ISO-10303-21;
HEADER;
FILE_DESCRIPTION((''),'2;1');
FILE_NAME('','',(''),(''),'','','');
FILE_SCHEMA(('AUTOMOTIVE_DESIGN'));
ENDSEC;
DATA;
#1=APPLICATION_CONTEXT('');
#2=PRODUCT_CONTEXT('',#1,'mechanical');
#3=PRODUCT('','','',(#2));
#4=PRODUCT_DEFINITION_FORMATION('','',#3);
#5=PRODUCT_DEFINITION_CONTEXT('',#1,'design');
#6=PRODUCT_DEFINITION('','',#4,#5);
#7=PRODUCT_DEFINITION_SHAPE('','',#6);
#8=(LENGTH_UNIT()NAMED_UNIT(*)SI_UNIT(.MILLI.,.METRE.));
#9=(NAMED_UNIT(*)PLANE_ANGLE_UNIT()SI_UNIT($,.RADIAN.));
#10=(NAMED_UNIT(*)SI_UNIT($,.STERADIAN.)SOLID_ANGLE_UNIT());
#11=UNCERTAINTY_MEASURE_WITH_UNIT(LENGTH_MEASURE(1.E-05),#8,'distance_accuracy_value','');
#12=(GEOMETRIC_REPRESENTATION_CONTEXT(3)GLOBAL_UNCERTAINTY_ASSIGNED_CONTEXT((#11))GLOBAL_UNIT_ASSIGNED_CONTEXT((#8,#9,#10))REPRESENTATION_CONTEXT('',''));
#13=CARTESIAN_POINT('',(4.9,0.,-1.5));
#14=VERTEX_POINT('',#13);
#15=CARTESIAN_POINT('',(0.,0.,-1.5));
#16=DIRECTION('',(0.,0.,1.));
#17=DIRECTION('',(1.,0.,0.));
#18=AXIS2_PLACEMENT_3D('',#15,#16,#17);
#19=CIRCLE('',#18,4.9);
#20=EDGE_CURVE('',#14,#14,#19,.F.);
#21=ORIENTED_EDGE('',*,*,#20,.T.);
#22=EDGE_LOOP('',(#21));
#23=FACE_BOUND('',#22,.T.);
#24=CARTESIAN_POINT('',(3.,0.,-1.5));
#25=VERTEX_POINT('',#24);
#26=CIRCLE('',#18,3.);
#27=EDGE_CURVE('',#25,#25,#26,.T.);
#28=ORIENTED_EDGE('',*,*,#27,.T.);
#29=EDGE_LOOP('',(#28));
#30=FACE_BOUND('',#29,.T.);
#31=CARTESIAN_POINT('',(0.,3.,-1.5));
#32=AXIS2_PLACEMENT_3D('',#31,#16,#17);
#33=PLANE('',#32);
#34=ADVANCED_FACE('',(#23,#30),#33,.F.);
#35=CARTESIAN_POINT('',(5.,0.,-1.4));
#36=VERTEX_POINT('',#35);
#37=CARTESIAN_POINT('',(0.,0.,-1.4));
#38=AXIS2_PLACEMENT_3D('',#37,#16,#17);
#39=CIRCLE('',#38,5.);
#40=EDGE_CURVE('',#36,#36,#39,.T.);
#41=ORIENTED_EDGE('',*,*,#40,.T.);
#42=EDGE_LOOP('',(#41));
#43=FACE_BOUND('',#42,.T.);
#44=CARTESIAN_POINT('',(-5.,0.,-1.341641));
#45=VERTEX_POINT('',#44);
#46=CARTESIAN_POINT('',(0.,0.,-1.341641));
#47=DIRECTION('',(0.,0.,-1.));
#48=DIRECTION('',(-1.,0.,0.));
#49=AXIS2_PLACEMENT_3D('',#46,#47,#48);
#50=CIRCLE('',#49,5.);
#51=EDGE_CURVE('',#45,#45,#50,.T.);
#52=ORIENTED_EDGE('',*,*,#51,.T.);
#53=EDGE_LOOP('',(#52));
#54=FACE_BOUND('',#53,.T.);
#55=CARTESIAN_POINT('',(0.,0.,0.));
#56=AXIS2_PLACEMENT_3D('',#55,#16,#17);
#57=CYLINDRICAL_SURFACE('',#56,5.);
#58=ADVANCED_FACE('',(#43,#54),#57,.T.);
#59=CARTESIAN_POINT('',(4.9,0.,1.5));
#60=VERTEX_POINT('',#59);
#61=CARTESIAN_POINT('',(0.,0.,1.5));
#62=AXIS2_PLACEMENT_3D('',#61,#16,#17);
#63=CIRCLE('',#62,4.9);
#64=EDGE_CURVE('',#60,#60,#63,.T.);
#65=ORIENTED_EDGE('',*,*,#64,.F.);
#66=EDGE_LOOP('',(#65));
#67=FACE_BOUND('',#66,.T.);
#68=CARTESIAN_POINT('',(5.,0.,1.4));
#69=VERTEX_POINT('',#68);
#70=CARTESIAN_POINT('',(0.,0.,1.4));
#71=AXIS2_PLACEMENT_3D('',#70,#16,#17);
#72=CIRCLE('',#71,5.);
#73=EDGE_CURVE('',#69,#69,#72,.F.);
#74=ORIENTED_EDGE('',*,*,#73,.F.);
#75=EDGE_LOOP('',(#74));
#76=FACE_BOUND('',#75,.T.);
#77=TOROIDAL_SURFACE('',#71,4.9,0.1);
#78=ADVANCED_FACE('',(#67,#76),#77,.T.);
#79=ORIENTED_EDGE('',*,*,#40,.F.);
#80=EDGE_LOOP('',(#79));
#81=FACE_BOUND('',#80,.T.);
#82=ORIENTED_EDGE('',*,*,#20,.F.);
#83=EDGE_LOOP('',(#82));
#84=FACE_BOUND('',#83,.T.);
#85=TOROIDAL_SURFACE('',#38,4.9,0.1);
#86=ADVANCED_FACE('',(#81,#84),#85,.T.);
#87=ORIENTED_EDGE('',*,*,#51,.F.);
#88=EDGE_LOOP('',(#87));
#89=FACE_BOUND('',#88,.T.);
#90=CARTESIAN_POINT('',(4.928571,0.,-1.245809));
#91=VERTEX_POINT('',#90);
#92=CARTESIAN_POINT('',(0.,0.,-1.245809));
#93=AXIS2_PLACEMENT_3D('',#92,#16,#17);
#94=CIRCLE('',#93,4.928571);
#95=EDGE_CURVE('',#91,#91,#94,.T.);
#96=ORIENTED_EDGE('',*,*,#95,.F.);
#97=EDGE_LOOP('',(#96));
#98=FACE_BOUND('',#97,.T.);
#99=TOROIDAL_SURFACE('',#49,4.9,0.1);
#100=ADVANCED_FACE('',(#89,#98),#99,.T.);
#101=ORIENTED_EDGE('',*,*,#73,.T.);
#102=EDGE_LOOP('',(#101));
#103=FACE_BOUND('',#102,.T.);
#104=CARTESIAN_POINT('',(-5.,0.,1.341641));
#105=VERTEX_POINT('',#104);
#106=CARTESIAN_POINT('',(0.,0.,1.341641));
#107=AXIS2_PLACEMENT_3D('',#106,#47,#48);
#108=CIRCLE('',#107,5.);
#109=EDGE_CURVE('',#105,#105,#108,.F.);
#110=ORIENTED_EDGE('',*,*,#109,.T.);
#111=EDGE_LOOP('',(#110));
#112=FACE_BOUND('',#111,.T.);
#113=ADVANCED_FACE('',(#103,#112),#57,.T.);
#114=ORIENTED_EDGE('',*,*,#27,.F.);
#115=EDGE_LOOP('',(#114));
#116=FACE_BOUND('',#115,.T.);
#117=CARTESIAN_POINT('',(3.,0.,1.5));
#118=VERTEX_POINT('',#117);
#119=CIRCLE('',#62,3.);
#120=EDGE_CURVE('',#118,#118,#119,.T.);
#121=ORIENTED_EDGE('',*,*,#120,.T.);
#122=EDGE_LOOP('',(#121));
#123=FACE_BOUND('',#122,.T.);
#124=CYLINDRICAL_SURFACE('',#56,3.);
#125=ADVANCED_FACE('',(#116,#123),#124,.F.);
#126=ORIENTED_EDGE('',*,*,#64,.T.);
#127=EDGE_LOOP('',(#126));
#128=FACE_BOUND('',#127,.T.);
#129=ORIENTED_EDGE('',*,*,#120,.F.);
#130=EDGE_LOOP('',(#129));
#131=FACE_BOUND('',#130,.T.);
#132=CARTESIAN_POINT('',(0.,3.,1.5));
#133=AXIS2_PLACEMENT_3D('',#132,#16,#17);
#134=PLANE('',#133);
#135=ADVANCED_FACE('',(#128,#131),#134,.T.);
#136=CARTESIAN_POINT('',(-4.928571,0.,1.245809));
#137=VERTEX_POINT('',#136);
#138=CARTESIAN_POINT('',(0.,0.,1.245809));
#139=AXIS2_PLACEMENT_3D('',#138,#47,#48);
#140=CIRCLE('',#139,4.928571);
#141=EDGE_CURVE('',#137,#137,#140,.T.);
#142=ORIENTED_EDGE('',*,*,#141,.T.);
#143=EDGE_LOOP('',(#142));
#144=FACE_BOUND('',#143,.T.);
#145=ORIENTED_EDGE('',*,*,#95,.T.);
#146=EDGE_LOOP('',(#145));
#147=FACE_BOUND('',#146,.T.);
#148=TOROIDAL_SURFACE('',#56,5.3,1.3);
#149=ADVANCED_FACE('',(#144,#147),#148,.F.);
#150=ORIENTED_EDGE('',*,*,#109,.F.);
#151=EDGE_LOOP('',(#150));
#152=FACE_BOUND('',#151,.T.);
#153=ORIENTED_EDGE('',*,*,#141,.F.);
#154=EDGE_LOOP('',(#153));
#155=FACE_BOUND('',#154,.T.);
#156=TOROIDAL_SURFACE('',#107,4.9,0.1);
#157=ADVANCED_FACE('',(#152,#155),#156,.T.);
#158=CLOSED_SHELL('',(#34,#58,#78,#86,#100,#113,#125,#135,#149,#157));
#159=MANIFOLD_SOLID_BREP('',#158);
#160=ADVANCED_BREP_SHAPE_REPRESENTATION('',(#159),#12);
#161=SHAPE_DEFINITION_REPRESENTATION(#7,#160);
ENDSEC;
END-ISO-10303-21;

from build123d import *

# Parameters (mm, degrees)
CONG_2_R = 0.1


with BuildPart() as part:
    # Esquisse1 → Révolution1 (revolve)
    with BuildSketch(Plane(origin=(0, 0, 0), x_dir=(0, 0, -1), z_dir=(1, 0, 0))):
        with BuildLine():
            Line((-1.5, 3), (-1.5, 5))
            Line((-1.5, 5), (-1.264911064, 5))
            ThreePointArc((-1.264911064, 5), (0, 4), (1.264911064, 5))
            Line((1.264911064, 5), (1.5, 5))
            Line((1.5, 5), (1.5, 3))
            Line((1.5, 3), (-1.5, 3))
        make_face()
    revolve(axis=Axis((0, 0, 0), (0, 0, -1)))

    # Congé2
    cong_2_edges = [part.edges().sort_by_distance(p)[0] for p in [
        (0, -5, -1.5),
        (0, -5, -1.264911064),
        (0, -5, 1.264911064),
        (0, -5, 1.5),
    ]]
    fillet(cong_2_edges, radius=CONG_2_R)


solid = part.part
